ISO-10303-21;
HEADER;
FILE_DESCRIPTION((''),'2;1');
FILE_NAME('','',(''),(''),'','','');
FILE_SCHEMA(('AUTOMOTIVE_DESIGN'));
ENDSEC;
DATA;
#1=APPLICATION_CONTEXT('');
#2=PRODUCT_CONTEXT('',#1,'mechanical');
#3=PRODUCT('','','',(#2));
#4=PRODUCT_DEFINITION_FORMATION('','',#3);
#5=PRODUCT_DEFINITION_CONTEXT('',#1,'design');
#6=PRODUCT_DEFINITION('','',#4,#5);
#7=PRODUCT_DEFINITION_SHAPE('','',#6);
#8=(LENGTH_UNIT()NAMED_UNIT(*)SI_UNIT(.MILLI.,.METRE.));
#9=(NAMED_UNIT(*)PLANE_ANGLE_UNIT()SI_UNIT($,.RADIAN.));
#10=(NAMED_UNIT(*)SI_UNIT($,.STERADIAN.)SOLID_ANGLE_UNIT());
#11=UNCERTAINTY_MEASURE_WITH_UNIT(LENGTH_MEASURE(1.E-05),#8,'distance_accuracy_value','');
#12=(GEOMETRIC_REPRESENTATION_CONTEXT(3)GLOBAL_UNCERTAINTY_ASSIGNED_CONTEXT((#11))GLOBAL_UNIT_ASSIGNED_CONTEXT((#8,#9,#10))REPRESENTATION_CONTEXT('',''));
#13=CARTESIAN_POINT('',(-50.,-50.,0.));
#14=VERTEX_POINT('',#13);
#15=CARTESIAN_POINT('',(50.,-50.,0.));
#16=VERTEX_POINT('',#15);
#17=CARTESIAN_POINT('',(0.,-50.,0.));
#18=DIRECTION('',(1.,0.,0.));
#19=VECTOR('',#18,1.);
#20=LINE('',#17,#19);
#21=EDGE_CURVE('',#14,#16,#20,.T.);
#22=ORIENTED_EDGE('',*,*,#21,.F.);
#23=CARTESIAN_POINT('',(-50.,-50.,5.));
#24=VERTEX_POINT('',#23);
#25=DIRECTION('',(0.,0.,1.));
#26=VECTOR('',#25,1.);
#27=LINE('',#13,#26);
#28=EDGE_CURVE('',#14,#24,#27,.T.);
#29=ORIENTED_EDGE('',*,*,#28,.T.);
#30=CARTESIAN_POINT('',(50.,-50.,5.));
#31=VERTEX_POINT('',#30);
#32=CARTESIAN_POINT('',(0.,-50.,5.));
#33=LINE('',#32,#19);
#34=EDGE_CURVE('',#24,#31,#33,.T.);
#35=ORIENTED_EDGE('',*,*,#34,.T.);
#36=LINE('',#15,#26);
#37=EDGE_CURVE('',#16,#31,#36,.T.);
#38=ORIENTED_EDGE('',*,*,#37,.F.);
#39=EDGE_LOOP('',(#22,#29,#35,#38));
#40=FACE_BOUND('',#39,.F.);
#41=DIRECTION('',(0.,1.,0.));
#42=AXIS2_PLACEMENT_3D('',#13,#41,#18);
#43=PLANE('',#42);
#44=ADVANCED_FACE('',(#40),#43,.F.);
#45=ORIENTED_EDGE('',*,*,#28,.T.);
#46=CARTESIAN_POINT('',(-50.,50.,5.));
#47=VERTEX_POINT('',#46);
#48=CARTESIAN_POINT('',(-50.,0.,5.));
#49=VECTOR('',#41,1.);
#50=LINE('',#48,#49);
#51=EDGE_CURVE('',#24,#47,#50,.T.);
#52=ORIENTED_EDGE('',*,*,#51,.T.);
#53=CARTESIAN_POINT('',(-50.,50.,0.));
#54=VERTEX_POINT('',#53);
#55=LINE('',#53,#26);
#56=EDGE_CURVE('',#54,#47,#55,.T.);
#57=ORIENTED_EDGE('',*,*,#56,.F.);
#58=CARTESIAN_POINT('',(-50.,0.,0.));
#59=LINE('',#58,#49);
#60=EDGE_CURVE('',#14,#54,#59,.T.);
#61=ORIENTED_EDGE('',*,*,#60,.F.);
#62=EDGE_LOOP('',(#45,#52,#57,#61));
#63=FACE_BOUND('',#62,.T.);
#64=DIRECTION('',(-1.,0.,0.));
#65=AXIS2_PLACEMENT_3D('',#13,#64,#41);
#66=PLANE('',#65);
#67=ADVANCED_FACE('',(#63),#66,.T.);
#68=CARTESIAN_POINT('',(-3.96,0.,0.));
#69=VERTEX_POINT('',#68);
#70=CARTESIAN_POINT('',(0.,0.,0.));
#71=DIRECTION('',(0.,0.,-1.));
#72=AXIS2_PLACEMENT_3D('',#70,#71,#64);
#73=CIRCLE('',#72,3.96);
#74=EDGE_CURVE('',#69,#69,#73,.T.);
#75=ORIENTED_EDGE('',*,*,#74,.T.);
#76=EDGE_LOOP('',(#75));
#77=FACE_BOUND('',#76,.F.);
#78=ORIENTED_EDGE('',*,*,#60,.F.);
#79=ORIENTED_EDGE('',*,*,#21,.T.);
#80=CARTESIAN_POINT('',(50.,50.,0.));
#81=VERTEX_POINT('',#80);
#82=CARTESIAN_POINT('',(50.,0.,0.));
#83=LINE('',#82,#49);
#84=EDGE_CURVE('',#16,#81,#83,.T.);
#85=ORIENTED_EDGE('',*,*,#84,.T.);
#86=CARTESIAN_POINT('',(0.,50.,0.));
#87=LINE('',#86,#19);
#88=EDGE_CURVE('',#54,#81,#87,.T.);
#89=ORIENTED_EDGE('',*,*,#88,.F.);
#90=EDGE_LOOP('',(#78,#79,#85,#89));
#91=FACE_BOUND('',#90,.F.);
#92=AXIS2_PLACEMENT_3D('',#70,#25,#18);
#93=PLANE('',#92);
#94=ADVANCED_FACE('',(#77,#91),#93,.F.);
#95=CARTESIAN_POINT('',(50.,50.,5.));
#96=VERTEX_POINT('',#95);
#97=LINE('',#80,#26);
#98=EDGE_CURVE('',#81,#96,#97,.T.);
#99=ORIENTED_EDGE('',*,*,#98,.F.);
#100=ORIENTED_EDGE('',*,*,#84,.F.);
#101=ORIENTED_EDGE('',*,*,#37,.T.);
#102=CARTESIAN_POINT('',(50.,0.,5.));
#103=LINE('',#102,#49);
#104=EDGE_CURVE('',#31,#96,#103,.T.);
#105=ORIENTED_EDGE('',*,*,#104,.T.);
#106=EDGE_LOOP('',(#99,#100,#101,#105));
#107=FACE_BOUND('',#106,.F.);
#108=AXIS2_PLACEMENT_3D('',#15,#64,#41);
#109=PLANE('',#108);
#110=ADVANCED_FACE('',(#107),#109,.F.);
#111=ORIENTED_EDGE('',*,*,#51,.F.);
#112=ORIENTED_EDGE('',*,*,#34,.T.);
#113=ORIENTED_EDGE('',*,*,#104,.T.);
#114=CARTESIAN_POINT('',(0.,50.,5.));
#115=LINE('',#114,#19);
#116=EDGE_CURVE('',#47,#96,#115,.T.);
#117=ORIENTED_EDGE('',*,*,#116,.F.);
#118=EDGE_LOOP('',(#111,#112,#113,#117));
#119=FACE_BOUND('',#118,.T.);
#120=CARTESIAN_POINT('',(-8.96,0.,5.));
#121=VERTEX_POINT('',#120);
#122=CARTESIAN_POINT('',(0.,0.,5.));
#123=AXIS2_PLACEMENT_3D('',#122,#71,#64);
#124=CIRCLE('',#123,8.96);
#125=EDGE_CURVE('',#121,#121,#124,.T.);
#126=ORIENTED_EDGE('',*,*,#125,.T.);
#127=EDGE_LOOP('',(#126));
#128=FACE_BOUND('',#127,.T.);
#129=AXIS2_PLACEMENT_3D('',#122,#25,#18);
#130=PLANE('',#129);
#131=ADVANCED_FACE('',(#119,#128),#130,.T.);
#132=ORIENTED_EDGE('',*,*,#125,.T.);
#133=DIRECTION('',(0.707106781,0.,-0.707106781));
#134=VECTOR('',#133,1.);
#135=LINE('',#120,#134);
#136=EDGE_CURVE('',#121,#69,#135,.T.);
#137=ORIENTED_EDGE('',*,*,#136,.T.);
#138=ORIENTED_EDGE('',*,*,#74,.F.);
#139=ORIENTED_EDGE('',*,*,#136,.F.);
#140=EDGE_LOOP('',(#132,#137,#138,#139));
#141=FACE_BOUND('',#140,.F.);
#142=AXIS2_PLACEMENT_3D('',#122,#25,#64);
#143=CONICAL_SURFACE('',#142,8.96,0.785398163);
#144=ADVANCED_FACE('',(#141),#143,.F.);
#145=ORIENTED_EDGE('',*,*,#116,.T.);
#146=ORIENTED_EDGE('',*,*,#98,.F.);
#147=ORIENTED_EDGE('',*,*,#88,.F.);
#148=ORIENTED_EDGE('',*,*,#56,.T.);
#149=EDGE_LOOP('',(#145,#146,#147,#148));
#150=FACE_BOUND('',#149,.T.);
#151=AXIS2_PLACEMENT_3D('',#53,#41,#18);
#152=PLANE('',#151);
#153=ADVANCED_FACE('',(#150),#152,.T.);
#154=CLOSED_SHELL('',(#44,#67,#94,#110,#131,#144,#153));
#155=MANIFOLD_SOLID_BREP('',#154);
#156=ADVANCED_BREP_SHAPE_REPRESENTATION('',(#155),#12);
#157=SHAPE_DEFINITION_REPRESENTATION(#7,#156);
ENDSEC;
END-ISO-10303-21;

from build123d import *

# Parameters (mm, degrees)
F0_W           = 100
F0_H           = 100
F1_DEPTH       = 5
F3_D           = 6.8
F3_CSINK_D     = 17.92
F3_CSINK_ANGLE = 90


with BuildPart() as f1:
    # F0 (on Top) → F1 (new body)
    with BuildSketch(Plane.XY):
        Rectangle(F0_W, F0_H)
    extrude(amount=F1_DEPTH)

    # F3 (through all)
    with Locations(Plane.XY.offset(5)):
        with Locations((0, 0)):
            CounterSinkHole(F3_D / 2, F3_CSINK_D / 2, counter_sink_angle=F3_CSINK_ANGLE)


solid = f1.part
